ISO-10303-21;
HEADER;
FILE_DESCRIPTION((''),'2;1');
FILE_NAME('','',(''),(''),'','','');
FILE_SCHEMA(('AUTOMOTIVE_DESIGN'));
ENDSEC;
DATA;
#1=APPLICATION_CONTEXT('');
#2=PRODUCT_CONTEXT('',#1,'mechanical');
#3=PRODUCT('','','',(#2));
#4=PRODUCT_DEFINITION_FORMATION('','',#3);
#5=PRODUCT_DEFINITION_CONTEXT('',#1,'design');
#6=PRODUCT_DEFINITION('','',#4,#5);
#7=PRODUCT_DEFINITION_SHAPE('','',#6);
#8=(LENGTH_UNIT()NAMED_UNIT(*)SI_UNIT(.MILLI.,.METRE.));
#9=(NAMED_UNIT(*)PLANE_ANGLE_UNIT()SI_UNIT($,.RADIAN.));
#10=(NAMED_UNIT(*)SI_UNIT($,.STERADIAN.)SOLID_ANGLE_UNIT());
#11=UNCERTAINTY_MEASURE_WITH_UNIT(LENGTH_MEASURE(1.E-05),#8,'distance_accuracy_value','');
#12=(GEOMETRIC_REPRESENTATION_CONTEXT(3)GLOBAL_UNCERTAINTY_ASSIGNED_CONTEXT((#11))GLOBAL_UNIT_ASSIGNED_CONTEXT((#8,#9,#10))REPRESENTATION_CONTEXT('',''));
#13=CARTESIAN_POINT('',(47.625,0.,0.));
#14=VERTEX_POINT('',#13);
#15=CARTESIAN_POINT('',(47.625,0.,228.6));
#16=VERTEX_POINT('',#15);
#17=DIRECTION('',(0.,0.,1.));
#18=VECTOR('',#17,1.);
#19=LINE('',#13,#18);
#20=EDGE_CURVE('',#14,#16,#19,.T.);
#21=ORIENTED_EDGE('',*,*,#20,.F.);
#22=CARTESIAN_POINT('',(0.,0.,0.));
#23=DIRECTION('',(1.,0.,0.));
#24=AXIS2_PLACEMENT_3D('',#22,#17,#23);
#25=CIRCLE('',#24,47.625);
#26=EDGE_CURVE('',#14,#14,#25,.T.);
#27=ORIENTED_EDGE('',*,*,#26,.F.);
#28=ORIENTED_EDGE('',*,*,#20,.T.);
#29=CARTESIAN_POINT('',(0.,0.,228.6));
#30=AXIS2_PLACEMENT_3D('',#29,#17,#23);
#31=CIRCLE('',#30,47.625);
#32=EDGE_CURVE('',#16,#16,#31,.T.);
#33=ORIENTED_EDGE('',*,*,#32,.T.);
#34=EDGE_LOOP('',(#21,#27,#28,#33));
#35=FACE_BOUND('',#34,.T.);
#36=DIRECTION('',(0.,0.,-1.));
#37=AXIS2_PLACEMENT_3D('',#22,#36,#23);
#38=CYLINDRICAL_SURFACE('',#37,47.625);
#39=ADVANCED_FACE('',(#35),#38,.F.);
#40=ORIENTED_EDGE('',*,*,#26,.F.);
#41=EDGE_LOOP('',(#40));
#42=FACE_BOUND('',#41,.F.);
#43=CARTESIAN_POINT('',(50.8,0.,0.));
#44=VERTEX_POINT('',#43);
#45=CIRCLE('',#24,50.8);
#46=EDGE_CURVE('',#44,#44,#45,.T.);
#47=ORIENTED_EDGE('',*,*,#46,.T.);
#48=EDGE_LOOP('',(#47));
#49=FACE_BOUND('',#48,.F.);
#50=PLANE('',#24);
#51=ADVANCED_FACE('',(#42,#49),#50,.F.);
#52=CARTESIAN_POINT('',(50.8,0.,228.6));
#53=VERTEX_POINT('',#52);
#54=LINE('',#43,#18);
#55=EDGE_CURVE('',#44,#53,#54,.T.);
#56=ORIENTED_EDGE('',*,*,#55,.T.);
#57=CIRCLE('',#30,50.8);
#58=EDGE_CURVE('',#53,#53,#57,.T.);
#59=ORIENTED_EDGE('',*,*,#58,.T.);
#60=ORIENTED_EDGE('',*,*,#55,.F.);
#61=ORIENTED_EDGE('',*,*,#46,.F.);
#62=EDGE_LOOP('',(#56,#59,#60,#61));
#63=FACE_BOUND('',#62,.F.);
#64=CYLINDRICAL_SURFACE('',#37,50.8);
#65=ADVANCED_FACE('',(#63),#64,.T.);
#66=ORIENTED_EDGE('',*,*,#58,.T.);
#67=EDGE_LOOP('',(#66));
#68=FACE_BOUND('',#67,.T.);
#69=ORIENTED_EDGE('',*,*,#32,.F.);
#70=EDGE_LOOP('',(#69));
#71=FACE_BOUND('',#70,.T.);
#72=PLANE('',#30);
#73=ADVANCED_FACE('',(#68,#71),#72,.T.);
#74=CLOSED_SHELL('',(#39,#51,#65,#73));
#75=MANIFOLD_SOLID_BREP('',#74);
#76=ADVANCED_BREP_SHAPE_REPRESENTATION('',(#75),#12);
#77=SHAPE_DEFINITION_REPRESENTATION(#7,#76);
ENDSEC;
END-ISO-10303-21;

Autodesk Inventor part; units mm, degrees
ref_plane "YZ Plane" through (0, 0, 0) normal (1, 0, 0) x (0, 1, 0)
ref_plane "XZ Plane" through (0, 0, 0) normal (0, 1, 0) x (-1, 0, 0)
ref_plane "XY Plane" through (0, 0, 0) normal (0, 0, 1) x (1, 0, 0)
sketch "Sketch1" plane through (0, 0, 0) normal (0, 0, 1) x (1, 0, 0)
  circle A0 centre (0, 0) radius 50.8
  circle A1 centre (0, 0) radius 47.625
  dimension "d0" = 101.6
  dimension "d1" = 95.25
extrude "Extrusion1" add sketch "Sketch1" along normal blind 228.6
properties part number "foreSection" material "Polycarbonate, Clear"
